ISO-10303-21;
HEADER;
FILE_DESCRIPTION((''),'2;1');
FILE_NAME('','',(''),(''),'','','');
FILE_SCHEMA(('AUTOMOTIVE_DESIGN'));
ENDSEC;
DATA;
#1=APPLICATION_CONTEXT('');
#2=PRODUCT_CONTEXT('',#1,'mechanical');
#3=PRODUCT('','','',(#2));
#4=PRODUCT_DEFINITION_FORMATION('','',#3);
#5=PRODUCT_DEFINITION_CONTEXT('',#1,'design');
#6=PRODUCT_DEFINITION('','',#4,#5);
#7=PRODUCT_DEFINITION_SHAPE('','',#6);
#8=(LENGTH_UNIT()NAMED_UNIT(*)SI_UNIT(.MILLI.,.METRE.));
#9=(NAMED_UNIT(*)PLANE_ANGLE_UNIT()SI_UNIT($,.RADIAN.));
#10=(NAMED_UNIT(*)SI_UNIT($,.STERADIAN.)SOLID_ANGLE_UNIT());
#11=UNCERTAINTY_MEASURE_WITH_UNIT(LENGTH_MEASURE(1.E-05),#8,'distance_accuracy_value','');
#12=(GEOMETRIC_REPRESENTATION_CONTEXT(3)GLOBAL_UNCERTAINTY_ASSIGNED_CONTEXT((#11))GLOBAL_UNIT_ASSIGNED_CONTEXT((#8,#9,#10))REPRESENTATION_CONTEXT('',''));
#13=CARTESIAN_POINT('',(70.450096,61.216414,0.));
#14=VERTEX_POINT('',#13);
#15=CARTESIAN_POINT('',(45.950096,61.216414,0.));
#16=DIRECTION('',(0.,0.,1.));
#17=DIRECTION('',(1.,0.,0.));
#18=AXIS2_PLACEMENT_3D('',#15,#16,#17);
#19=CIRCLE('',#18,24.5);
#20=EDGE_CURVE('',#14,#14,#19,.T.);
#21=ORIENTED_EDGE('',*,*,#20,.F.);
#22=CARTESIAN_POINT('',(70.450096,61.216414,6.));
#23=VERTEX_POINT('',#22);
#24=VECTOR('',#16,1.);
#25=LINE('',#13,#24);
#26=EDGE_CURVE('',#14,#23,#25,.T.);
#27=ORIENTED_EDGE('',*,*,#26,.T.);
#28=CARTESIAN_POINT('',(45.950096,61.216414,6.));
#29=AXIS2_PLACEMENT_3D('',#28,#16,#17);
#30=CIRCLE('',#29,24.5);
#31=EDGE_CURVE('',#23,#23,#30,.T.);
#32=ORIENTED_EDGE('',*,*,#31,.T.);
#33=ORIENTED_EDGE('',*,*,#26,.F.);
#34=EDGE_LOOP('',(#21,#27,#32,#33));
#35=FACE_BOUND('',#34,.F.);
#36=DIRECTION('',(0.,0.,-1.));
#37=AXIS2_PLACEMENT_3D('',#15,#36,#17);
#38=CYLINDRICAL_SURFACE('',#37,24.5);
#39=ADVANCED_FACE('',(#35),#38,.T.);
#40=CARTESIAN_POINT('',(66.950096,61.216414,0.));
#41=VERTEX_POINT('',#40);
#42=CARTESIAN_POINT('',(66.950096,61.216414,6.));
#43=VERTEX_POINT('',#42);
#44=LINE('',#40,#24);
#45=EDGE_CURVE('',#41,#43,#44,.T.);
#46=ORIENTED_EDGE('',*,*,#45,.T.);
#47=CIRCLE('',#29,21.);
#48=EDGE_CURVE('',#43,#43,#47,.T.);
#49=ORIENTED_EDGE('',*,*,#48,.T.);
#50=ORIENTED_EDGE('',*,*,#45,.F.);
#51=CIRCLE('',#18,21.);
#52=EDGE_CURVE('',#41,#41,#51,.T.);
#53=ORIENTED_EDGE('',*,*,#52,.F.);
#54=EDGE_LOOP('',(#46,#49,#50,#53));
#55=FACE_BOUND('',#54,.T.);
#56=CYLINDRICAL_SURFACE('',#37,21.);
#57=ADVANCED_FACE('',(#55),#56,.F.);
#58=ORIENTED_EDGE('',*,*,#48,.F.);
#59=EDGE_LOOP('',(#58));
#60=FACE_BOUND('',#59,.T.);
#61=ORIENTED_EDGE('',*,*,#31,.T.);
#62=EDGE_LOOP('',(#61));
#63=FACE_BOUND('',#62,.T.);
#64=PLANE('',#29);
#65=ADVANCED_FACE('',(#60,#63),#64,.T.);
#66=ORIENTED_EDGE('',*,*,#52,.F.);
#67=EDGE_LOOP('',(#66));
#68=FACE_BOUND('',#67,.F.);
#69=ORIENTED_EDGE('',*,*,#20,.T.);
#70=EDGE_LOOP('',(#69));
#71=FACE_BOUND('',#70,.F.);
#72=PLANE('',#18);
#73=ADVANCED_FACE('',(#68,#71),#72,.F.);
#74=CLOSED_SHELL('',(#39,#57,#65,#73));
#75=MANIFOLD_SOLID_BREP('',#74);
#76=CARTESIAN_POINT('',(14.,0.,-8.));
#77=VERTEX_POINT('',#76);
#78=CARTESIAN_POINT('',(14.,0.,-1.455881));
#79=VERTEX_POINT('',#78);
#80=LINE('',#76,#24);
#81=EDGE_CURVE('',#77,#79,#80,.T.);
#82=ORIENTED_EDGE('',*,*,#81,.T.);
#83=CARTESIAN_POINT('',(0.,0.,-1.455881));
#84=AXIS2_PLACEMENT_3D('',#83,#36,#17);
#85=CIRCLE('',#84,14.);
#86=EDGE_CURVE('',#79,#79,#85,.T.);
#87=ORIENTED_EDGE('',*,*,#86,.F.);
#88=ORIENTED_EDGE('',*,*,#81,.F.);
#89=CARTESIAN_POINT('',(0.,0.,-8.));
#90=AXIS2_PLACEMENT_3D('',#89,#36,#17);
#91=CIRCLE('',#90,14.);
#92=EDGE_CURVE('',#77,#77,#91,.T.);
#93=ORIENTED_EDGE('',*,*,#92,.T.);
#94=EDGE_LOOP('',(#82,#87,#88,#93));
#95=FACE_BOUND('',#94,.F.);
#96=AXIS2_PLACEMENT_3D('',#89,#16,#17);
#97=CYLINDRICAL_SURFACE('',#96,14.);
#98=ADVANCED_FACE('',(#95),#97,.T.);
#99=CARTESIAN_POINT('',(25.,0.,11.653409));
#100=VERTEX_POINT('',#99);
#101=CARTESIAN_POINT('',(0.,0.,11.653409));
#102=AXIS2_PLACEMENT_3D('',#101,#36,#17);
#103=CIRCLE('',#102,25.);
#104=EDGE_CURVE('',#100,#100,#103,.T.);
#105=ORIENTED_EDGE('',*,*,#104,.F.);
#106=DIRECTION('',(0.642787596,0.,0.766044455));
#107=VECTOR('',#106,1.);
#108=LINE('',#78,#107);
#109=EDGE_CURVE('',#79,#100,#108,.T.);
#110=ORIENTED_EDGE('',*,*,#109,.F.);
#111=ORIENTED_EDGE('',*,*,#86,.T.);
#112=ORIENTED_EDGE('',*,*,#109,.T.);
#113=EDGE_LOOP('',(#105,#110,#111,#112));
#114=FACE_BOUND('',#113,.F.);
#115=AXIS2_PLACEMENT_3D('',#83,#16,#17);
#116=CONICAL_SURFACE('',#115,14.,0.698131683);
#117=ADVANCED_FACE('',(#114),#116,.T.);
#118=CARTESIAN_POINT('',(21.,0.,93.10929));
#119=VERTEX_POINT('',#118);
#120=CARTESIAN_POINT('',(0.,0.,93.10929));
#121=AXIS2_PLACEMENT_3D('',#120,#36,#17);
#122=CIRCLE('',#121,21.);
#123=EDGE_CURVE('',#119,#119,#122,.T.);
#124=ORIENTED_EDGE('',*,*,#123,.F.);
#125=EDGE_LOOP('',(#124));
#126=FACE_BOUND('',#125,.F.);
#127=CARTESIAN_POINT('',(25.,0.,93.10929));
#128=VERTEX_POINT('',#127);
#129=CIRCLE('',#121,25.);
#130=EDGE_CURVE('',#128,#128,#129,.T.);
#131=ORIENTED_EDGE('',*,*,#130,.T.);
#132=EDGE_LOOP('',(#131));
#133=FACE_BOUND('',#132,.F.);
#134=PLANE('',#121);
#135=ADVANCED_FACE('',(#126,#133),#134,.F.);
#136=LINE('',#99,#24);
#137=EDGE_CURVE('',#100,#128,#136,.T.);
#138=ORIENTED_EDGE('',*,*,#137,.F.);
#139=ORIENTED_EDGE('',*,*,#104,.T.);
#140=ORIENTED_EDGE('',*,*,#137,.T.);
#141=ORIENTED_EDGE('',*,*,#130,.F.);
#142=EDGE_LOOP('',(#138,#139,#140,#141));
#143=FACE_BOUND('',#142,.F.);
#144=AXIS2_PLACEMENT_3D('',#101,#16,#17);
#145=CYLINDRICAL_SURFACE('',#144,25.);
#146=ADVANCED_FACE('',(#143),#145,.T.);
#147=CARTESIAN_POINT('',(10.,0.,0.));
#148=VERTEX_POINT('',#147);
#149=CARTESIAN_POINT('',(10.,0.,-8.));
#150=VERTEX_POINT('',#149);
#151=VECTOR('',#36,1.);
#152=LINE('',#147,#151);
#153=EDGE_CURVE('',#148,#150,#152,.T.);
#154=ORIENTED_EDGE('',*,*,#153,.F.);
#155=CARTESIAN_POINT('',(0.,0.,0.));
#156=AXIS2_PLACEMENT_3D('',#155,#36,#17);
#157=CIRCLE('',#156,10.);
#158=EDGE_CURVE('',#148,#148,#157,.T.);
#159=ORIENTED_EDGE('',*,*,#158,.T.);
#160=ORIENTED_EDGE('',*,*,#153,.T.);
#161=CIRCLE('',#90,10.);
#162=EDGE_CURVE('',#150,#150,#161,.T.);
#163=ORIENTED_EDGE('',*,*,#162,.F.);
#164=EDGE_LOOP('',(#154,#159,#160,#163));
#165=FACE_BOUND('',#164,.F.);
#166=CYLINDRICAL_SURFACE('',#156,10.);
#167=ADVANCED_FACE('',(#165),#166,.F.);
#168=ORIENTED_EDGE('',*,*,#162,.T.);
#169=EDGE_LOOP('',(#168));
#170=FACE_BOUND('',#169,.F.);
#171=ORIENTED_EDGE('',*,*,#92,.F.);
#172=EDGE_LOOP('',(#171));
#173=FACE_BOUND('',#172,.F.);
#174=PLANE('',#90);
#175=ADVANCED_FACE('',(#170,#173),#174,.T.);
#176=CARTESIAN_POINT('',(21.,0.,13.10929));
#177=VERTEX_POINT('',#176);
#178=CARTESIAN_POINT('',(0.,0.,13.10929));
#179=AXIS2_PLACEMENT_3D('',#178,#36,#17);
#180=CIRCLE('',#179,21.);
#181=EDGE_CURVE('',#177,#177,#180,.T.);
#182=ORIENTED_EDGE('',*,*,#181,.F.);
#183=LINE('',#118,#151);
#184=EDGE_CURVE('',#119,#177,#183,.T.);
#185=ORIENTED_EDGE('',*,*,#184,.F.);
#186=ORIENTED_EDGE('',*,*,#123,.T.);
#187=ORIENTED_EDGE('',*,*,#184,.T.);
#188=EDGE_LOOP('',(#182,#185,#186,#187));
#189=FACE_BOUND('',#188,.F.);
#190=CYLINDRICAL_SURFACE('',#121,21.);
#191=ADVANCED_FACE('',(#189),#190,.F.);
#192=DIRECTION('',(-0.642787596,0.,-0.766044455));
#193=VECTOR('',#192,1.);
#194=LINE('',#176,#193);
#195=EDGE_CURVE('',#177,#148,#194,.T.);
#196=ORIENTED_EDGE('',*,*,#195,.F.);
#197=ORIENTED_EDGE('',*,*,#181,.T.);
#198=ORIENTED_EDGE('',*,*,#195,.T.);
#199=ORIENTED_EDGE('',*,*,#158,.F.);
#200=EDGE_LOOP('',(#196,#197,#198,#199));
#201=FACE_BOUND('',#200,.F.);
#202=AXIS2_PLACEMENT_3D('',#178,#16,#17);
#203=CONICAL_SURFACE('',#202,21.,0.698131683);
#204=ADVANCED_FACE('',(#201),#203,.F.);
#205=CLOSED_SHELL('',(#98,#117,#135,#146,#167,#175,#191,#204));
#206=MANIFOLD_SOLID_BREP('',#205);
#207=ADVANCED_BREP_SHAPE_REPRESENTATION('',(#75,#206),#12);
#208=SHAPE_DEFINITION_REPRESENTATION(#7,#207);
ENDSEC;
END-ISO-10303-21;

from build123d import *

# Parameters (mm, degrees)
F2_R     = 24.5
F2_R_2   = 21
F3_DEPTH = 6


with BuildPart() as f1:
    # F0 (on Front) → F1 (revolve)
    with BuildSketch(Plane.XZ):
        Polygon((21, 13.10929), (10, 0), (10, -8), (14, -8), (14, -1.455881), (25, 11.653409), (25, 13.10929), (25, 93.10929), (21, 93.10929), align=None)
    revolve(axis=Axis((0, 0, 6.554645), (0, 0, -1)))


with BuildPart() as f3:
    # F2 (on Top) → F3 (new body)
    with BuildSketch(Plane.XY):
        with Locations((45.950096, 61.216414)):
            Circle(F2_R)
        with Locations((45.950096, 61.216414)):
            Circle(F2_R_2, mode=Mode.SUBTRACT)
    extrude(amount=F3_DEPTH)


solid = Compound([f1.part, f3.part])
